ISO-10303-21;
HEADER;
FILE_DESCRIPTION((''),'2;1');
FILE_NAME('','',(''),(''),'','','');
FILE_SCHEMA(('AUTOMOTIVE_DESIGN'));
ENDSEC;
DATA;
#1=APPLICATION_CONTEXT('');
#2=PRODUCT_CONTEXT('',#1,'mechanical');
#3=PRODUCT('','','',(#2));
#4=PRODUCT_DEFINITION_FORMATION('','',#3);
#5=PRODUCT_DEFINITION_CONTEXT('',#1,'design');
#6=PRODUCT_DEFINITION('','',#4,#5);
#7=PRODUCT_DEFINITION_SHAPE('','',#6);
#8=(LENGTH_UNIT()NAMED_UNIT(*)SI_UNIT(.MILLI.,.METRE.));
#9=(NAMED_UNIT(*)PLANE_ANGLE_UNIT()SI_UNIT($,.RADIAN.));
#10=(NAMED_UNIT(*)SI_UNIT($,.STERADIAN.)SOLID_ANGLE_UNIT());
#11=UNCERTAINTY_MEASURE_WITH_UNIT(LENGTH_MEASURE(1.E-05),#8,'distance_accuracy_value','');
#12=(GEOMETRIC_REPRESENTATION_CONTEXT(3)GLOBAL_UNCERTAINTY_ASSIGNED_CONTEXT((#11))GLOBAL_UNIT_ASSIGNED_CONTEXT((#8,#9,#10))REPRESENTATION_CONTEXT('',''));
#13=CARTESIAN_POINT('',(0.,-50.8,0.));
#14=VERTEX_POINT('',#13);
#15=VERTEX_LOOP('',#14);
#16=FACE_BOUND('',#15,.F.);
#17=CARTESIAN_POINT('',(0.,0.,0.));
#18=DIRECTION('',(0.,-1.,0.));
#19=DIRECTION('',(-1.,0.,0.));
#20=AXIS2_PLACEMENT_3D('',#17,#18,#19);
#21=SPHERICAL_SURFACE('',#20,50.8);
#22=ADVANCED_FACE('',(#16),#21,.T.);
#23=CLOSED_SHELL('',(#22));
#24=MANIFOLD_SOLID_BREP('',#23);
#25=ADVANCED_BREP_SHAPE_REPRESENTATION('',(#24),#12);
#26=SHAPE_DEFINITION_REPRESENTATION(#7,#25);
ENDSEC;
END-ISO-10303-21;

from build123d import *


with BuildPart() as f1:
    # F0 (on Top) → F1 (revolve)
    with BuildSketch(Plane.XY):
        with BuildLine():
            Line((0, 0), (0, 50.8))
            ThreePointArc((0, 50.8), (-50.8, 0), (0, -50.8))
            Line((0, -50.8), (0, 0))
        make_face()
    revolve(axis=Axis((0, 25.4, 0), (0, 1, 0)))


solid = f1.part
